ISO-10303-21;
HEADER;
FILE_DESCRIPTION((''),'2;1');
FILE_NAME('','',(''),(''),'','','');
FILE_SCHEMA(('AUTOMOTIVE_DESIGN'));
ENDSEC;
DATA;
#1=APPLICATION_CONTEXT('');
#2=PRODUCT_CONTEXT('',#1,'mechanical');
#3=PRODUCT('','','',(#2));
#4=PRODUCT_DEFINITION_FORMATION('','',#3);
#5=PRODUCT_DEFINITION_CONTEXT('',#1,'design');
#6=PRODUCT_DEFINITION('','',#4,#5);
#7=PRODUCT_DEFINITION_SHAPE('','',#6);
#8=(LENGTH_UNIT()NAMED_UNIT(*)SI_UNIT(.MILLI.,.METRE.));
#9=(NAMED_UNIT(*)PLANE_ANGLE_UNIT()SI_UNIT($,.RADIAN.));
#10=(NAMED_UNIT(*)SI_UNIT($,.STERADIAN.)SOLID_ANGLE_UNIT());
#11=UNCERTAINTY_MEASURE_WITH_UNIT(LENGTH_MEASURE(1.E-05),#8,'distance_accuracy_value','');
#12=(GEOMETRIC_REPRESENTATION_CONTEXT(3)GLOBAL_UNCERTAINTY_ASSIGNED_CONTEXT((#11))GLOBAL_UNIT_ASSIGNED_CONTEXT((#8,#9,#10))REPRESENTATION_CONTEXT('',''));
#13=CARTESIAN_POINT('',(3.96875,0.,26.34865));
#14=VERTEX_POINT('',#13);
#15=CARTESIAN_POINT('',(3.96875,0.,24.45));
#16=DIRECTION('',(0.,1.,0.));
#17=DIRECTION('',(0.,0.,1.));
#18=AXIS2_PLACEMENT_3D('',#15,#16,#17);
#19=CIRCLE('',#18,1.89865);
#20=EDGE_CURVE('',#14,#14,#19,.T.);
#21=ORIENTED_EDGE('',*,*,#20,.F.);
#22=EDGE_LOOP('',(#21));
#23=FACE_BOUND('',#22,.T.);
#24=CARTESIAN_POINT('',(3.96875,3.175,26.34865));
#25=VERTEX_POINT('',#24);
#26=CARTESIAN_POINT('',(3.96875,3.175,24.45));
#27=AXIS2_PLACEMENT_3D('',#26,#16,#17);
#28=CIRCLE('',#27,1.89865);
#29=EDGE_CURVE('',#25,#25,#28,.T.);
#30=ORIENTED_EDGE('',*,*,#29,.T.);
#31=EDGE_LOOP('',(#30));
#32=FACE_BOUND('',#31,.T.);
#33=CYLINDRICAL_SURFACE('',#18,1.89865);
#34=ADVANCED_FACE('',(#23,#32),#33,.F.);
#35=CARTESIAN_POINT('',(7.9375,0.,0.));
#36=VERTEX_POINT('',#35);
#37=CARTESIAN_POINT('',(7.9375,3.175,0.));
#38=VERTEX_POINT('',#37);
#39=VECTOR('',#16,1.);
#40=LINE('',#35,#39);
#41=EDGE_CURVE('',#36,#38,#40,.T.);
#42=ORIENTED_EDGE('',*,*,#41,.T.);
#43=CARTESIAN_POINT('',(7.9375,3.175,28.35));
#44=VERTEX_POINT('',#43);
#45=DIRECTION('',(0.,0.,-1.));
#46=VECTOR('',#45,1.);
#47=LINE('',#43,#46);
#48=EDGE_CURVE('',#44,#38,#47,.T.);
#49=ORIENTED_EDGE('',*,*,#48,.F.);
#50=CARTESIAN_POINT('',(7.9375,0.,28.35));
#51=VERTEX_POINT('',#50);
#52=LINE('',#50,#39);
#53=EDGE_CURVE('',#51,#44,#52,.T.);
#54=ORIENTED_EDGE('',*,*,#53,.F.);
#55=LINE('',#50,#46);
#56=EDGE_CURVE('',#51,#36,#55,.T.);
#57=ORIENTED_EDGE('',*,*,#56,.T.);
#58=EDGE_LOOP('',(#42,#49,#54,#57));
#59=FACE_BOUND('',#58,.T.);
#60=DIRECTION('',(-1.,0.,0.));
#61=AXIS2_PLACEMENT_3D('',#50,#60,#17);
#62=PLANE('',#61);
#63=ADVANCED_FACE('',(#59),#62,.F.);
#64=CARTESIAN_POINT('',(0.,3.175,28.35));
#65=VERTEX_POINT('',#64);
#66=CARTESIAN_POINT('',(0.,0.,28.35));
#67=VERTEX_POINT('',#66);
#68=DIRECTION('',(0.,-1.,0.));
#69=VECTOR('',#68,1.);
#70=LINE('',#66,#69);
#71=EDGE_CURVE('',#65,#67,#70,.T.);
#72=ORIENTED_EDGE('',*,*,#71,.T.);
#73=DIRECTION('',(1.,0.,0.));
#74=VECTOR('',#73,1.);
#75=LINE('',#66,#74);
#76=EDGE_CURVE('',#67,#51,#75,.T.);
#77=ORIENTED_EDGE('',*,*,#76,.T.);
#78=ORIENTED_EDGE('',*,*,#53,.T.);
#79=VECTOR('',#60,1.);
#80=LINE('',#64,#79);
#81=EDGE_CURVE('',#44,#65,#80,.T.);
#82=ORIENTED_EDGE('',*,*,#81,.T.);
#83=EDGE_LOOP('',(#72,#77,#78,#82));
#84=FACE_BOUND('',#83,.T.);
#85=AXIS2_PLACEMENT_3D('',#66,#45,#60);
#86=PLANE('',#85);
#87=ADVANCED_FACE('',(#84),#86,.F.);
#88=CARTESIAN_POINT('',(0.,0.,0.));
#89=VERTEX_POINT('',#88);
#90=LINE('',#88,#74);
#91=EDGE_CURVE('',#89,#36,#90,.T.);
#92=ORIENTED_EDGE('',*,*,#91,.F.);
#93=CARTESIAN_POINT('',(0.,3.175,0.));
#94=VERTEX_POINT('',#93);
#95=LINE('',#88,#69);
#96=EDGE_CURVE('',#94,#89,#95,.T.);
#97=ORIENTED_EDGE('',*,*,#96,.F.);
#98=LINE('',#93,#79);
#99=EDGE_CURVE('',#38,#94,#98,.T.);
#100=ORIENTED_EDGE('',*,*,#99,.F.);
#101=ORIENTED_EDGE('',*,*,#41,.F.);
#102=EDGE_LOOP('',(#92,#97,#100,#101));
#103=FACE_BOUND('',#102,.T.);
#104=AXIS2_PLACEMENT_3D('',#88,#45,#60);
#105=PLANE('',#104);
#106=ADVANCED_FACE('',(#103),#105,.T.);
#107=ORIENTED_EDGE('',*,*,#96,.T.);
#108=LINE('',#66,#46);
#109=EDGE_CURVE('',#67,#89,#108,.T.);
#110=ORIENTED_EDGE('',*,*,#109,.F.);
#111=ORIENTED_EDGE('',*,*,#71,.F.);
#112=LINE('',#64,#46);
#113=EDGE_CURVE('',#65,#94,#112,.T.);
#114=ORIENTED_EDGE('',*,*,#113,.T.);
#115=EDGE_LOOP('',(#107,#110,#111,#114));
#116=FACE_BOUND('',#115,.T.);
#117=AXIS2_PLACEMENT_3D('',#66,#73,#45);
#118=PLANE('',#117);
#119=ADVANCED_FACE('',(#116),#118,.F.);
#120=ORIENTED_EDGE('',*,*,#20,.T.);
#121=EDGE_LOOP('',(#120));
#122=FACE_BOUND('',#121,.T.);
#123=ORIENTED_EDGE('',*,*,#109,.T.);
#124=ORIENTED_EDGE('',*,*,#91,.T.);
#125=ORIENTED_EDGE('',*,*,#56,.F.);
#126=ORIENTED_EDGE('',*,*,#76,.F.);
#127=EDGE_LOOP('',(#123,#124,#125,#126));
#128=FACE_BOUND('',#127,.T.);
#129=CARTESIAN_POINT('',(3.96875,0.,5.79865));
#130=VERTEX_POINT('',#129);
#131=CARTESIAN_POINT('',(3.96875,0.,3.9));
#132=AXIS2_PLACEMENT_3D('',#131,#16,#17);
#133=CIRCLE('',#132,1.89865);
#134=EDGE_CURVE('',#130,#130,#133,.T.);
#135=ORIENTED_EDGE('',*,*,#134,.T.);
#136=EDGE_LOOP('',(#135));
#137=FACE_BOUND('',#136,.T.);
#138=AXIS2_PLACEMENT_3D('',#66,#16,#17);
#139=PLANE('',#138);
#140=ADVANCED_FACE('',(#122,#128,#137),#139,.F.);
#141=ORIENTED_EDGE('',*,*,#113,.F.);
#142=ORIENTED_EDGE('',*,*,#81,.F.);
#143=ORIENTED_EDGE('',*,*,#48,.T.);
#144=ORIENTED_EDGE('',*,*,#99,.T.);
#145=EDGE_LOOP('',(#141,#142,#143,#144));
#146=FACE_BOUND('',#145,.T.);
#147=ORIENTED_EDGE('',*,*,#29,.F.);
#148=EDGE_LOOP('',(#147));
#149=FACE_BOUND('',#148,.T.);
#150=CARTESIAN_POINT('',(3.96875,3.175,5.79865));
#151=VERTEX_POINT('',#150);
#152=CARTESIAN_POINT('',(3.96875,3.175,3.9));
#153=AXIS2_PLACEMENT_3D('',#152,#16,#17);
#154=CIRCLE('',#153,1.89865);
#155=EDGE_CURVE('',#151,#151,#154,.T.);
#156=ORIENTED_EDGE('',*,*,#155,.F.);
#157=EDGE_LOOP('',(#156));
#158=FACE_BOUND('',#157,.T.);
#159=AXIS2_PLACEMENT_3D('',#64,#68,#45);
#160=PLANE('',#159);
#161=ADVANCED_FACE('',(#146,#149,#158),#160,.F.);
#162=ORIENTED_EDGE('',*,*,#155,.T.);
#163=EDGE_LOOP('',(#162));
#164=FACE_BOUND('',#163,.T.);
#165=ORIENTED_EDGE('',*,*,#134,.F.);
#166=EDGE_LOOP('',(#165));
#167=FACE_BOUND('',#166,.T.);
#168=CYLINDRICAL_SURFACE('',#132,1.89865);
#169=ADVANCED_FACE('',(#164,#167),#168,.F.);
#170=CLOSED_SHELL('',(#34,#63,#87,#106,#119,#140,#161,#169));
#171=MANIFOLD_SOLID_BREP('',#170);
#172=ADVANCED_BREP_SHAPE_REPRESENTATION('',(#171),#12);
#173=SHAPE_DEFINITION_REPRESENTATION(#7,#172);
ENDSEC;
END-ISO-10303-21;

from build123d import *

# Parameters (mm, degrees)
SKETCH1_W           = 7.9375
SKETCH1_H           = 3.175
BOSS_EXTRUDE2_DEPTH = 28.35
SKETCH3_R           = 1.89865
CUT_EXTRUDE1_DEPTH  = 4.175


with BuildPart() as part:
    # Sketch1 → Boss-Extrude2 (new body)
    with BuildSketch(Plane.XY):
        with Locations((3.96875, 1.5875)):
            Rectangle(SKETCH1_W, SKETCH1_H)
    extrude(amount=BOSS_EXTRUDE2_DEPTH)

    # Sketch3 → Cut-Extrude1 (cut, through all)
    with BuildSketch(Plane(origin=(0, 3.175, 0), x_dir=(1, 0, 0), z_dir=(0, 1, 0))):
        with Locations((3.96875, -3.9)):
            Circle(SKETCH3_R)
        with Locations((3.96875, -24.45)):
            Circle(SKETCH3_R)
    extrude(amount=-CUT_EXTRUDE1_DEPTH, mode=Mode.SUBTRACT)


solid = part.part
